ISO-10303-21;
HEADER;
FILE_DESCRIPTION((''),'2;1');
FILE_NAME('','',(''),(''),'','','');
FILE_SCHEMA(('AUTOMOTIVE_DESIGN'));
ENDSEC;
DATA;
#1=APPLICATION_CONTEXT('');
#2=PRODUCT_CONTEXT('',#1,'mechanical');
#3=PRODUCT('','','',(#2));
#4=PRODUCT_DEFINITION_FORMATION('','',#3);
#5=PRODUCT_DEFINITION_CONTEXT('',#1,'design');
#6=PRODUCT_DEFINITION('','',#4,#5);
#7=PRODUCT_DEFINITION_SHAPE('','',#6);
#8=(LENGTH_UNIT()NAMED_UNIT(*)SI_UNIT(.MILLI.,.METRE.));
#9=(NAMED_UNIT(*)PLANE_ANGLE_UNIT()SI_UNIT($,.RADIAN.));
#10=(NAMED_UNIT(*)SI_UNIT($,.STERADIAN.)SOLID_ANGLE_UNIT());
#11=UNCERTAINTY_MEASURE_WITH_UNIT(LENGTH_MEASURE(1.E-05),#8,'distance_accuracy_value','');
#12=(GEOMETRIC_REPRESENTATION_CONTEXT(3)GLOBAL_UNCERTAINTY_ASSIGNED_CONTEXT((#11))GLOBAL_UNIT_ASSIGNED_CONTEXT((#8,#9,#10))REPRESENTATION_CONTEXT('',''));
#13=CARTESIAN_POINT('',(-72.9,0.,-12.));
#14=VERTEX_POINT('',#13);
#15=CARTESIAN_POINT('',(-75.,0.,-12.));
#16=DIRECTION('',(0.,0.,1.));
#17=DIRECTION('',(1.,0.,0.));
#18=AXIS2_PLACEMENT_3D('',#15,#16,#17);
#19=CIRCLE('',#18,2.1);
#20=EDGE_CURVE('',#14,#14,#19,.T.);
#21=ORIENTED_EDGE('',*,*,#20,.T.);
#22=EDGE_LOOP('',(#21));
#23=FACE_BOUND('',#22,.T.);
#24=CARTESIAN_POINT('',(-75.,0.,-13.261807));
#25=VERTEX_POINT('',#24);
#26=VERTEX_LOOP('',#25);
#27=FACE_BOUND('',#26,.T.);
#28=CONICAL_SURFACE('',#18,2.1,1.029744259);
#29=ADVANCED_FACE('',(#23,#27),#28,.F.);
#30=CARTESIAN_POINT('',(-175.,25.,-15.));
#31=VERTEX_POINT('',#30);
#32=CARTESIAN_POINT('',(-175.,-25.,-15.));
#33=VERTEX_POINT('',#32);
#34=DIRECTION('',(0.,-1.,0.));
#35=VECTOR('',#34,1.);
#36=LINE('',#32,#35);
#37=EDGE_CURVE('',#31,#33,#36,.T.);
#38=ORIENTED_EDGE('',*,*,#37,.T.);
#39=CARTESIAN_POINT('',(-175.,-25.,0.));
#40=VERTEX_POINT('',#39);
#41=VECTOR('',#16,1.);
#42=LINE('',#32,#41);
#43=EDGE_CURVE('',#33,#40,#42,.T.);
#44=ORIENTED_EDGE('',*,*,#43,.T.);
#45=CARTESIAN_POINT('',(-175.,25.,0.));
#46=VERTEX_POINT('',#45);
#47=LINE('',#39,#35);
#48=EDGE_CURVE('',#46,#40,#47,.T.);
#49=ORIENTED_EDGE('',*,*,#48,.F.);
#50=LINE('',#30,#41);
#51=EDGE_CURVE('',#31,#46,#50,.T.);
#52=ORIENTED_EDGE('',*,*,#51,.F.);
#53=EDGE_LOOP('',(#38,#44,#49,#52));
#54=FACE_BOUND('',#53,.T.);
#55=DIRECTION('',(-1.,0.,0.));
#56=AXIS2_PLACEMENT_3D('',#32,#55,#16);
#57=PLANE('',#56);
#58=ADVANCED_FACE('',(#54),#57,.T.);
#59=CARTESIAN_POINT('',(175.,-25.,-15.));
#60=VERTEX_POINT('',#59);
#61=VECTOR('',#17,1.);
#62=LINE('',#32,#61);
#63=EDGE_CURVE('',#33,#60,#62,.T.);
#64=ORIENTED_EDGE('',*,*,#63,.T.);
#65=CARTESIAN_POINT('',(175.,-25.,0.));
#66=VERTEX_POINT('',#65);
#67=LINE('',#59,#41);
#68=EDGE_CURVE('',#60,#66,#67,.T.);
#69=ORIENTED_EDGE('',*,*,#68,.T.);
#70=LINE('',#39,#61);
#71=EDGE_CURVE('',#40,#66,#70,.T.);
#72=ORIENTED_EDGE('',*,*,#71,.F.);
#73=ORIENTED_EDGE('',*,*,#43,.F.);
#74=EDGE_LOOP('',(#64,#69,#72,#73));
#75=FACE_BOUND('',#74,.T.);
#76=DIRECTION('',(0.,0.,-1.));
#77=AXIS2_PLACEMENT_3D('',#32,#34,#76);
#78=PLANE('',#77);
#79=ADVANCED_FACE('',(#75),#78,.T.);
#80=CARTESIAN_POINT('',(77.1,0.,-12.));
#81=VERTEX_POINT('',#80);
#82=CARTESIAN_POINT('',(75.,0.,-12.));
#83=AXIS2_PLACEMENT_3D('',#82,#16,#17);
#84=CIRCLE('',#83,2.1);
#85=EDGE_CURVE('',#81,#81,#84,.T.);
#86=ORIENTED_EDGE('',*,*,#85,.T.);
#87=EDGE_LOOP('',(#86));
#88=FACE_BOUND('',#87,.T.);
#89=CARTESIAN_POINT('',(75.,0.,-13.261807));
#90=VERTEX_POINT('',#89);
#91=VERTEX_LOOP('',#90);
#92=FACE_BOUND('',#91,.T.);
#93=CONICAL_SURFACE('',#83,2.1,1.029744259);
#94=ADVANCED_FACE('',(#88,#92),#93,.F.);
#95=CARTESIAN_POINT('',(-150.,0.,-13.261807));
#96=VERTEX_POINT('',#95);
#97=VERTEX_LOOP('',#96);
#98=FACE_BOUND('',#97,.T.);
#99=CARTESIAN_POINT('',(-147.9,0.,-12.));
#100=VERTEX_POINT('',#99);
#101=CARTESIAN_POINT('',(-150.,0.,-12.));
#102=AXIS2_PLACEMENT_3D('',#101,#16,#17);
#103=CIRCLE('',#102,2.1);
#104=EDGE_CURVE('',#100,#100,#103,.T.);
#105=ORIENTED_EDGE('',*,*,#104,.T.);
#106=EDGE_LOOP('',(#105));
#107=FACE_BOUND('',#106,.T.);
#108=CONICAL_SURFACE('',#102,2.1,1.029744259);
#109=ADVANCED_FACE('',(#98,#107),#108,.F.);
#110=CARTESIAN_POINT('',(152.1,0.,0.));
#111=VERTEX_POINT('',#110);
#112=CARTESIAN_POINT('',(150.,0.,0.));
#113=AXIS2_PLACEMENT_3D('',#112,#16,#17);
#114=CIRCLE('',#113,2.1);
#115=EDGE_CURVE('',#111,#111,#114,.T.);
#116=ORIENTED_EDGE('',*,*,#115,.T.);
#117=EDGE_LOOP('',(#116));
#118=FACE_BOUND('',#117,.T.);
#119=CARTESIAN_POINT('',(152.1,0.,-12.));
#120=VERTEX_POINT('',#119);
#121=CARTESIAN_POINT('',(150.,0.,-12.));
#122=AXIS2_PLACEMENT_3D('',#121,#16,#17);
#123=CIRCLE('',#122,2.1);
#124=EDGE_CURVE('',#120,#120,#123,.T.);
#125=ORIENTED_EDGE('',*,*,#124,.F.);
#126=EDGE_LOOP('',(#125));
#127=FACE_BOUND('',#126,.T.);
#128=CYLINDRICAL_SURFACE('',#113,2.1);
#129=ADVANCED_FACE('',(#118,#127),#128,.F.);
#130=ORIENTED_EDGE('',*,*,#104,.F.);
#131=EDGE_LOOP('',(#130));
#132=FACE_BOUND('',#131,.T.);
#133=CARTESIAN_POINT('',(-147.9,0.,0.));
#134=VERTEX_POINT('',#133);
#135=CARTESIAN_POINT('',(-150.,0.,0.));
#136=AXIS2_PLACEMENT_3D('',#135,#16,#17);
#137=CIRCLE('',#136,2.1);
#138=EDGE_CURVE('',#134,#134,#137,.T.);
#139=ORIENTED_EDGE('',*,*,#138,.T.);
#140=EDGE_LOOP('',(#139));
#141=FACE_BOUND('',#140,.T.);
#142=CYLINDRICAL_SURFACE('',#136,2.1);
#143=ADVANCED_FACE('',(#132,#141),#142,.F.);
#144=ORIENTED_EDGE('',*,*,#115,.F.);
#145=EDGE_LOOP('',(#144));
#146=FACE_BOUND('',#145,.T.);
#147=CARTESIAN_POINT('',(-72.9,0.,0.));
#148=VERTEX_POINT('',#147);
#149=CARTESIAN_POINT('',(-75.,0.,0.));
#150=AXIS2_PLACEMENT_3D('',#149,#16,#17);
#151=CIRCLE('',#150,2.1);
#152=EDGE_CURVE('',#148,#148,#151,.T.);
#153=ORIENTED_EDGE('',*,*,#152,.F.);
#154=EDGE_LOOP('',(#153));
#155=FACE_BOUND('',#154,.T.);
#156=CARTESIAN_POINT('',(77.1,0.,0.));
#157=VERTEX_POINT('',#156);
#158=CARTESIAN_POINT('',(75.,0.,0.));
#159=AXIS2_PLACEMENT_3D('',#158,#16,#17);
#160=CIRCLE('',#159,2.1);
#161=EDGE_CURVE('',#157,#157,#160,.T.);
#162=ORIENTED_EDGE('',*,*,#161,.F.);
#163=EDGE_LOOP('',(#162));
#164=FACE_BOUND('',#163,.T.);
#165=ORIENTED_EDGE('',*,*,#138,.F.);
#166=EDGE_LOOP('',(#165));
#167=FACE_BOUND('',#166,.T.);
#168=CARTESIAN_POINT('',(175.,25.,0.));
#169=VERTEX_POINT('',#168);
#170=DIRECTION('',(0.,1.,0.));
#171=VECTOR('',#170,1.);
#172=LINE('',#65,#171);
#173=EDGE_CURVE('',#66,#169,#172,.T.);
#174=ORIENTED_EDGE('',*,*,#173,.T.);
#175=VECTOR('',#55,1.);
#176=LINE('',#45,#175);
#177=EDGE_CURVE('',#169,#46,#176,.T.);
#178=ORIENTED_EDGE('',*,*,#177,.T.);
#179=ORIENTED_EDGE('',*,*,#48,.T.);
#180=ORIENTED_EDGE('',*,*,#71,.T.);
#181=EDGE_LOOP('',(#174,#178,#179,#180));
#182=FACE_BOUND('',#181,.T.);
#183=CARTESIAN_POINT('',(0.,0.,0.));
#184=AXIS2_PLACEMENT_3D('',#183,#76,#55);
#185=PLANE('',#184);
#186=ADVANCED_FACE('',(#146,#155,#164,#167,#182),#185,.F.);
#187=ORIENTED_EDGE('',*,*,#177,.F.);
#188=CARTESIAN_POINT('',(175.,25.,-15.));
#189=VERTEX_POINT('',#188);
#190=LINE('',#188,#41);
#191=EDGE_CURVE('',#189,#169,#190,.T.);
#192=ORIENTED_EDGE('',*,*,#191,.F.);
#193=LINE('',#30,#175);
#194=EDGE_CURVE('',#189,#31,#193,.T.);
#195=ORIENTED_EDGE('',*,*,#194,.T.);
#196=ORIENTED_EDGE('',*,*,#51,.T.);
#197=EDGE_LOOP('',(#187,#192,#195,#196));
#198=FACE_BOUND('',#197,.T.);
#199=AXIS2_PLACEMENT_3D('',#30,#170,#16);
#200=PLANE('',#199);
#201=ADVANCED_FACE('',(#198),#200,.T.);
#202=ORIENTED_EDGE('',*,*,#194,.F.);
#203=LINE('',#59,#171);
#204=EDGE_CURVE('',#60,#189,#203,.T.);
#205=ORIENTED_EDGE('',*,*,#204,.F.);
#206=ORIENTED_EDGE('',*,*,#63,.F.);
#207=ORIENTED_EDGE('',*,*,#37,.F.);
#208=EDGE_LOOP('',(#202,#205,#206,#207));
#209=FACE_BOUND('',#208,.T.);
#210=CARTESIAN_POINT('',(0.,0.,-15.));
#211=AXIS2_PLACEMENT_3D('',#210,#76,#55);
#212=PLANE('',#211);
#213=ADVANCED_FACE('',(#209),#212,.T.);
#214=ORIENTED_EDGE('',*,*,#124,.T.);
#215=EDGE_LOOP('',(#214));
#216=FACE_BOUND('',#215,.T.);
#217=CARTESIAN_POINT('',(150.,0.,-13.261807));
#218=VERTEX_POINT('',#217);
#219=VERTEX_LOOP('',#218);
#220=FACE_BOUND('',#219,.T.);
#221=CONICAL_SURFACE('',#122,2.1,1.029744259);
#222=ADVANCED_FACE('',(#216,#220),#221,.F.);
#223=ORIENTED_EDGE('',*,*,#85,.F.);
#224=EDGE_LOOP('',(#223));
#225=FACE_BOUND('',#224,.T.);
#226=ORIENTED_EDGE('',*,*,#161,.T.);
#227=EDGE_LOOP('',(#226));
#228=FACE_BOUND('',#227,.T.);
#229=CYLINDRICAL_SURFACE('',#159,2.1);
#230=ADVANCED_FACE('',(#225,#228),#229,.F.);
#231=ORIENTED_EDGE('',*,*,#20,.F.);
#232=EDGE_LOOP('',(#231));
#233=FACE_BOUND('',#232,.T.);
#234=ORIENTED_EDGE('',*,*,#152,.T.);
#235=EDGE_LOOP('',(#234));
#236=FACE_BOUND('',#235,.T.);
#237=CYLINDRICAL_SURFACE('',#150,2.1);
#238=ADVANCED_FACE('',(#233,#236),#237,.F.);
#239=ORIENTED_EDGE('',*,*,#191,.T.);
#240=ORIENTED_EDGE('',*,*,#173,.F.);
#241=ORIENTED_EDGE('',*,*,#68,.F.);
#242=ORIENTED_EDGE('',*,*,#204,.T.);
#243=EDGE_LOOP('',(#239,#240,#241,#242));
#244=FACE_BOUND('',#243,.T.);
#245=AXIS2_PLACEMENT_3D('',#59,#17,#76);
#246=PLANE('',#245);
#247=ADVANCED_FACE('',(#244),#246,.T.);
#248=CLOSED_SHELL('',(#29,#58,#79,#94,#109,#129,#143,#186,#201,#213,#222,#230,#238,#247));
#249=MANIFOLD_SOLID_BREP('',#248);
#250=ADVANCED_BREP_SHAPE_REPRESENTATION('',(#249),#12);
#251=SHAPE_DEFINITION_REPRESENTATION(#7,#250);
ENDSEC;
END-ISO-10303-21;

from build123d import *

# Parameters (mm, degrees)
SKIZZE1_W                       = 350
SKIZZE1_H                       = 50
AUFSATZ_LINEAR_AUSTRAGEN1_DEPTH = 15
M5_GEWINDEBOHRUNG1_D            = 4.2
M5_GEWINDEBOHRUNG1_DEPTH        = 12
M5_GEWINDEBOHRUNG1_TIP          = 1.2618073


with BuildPart() as part:
    # Skizze1 → Aufsatz-Linear austragen1 (new body)
    with BuildSketch(Plane.XY):
        Rectangle(SKIZZE1_W, SKIZZE1_H)
    extrude(amount=-AUFSATZ_LINEAR_AUSTRAGEN1_DEPTH)

    # M5 Gewindebohrung1
    with Locations(Plane(origin=(150, 0, 0), x_dir=(1, 0, 0), z_dir=(0, 0, 1))):
        with Locations((0, 0), (-300, 0), (-225, 0), (-75, 0)):
            Hole(M5_GEWINDEBOHRUNG1_D / 2, depth=M5_GEWINDEBOHRUNG1_DEPTH)
            with Locations((0, 0, -(M5_GEWINDEBOHRUNG1_DEPTH + M5_GEWINDEBOHRUNG1_TIP / 2))):  # 118° drill point
                Cone(0, M5_GEWINDEBOHRUNG1_D / 2, M5_GEWINDEBOHRUNG1_TIP, mode=Mode.SUBTRACT)


solid = part.part
